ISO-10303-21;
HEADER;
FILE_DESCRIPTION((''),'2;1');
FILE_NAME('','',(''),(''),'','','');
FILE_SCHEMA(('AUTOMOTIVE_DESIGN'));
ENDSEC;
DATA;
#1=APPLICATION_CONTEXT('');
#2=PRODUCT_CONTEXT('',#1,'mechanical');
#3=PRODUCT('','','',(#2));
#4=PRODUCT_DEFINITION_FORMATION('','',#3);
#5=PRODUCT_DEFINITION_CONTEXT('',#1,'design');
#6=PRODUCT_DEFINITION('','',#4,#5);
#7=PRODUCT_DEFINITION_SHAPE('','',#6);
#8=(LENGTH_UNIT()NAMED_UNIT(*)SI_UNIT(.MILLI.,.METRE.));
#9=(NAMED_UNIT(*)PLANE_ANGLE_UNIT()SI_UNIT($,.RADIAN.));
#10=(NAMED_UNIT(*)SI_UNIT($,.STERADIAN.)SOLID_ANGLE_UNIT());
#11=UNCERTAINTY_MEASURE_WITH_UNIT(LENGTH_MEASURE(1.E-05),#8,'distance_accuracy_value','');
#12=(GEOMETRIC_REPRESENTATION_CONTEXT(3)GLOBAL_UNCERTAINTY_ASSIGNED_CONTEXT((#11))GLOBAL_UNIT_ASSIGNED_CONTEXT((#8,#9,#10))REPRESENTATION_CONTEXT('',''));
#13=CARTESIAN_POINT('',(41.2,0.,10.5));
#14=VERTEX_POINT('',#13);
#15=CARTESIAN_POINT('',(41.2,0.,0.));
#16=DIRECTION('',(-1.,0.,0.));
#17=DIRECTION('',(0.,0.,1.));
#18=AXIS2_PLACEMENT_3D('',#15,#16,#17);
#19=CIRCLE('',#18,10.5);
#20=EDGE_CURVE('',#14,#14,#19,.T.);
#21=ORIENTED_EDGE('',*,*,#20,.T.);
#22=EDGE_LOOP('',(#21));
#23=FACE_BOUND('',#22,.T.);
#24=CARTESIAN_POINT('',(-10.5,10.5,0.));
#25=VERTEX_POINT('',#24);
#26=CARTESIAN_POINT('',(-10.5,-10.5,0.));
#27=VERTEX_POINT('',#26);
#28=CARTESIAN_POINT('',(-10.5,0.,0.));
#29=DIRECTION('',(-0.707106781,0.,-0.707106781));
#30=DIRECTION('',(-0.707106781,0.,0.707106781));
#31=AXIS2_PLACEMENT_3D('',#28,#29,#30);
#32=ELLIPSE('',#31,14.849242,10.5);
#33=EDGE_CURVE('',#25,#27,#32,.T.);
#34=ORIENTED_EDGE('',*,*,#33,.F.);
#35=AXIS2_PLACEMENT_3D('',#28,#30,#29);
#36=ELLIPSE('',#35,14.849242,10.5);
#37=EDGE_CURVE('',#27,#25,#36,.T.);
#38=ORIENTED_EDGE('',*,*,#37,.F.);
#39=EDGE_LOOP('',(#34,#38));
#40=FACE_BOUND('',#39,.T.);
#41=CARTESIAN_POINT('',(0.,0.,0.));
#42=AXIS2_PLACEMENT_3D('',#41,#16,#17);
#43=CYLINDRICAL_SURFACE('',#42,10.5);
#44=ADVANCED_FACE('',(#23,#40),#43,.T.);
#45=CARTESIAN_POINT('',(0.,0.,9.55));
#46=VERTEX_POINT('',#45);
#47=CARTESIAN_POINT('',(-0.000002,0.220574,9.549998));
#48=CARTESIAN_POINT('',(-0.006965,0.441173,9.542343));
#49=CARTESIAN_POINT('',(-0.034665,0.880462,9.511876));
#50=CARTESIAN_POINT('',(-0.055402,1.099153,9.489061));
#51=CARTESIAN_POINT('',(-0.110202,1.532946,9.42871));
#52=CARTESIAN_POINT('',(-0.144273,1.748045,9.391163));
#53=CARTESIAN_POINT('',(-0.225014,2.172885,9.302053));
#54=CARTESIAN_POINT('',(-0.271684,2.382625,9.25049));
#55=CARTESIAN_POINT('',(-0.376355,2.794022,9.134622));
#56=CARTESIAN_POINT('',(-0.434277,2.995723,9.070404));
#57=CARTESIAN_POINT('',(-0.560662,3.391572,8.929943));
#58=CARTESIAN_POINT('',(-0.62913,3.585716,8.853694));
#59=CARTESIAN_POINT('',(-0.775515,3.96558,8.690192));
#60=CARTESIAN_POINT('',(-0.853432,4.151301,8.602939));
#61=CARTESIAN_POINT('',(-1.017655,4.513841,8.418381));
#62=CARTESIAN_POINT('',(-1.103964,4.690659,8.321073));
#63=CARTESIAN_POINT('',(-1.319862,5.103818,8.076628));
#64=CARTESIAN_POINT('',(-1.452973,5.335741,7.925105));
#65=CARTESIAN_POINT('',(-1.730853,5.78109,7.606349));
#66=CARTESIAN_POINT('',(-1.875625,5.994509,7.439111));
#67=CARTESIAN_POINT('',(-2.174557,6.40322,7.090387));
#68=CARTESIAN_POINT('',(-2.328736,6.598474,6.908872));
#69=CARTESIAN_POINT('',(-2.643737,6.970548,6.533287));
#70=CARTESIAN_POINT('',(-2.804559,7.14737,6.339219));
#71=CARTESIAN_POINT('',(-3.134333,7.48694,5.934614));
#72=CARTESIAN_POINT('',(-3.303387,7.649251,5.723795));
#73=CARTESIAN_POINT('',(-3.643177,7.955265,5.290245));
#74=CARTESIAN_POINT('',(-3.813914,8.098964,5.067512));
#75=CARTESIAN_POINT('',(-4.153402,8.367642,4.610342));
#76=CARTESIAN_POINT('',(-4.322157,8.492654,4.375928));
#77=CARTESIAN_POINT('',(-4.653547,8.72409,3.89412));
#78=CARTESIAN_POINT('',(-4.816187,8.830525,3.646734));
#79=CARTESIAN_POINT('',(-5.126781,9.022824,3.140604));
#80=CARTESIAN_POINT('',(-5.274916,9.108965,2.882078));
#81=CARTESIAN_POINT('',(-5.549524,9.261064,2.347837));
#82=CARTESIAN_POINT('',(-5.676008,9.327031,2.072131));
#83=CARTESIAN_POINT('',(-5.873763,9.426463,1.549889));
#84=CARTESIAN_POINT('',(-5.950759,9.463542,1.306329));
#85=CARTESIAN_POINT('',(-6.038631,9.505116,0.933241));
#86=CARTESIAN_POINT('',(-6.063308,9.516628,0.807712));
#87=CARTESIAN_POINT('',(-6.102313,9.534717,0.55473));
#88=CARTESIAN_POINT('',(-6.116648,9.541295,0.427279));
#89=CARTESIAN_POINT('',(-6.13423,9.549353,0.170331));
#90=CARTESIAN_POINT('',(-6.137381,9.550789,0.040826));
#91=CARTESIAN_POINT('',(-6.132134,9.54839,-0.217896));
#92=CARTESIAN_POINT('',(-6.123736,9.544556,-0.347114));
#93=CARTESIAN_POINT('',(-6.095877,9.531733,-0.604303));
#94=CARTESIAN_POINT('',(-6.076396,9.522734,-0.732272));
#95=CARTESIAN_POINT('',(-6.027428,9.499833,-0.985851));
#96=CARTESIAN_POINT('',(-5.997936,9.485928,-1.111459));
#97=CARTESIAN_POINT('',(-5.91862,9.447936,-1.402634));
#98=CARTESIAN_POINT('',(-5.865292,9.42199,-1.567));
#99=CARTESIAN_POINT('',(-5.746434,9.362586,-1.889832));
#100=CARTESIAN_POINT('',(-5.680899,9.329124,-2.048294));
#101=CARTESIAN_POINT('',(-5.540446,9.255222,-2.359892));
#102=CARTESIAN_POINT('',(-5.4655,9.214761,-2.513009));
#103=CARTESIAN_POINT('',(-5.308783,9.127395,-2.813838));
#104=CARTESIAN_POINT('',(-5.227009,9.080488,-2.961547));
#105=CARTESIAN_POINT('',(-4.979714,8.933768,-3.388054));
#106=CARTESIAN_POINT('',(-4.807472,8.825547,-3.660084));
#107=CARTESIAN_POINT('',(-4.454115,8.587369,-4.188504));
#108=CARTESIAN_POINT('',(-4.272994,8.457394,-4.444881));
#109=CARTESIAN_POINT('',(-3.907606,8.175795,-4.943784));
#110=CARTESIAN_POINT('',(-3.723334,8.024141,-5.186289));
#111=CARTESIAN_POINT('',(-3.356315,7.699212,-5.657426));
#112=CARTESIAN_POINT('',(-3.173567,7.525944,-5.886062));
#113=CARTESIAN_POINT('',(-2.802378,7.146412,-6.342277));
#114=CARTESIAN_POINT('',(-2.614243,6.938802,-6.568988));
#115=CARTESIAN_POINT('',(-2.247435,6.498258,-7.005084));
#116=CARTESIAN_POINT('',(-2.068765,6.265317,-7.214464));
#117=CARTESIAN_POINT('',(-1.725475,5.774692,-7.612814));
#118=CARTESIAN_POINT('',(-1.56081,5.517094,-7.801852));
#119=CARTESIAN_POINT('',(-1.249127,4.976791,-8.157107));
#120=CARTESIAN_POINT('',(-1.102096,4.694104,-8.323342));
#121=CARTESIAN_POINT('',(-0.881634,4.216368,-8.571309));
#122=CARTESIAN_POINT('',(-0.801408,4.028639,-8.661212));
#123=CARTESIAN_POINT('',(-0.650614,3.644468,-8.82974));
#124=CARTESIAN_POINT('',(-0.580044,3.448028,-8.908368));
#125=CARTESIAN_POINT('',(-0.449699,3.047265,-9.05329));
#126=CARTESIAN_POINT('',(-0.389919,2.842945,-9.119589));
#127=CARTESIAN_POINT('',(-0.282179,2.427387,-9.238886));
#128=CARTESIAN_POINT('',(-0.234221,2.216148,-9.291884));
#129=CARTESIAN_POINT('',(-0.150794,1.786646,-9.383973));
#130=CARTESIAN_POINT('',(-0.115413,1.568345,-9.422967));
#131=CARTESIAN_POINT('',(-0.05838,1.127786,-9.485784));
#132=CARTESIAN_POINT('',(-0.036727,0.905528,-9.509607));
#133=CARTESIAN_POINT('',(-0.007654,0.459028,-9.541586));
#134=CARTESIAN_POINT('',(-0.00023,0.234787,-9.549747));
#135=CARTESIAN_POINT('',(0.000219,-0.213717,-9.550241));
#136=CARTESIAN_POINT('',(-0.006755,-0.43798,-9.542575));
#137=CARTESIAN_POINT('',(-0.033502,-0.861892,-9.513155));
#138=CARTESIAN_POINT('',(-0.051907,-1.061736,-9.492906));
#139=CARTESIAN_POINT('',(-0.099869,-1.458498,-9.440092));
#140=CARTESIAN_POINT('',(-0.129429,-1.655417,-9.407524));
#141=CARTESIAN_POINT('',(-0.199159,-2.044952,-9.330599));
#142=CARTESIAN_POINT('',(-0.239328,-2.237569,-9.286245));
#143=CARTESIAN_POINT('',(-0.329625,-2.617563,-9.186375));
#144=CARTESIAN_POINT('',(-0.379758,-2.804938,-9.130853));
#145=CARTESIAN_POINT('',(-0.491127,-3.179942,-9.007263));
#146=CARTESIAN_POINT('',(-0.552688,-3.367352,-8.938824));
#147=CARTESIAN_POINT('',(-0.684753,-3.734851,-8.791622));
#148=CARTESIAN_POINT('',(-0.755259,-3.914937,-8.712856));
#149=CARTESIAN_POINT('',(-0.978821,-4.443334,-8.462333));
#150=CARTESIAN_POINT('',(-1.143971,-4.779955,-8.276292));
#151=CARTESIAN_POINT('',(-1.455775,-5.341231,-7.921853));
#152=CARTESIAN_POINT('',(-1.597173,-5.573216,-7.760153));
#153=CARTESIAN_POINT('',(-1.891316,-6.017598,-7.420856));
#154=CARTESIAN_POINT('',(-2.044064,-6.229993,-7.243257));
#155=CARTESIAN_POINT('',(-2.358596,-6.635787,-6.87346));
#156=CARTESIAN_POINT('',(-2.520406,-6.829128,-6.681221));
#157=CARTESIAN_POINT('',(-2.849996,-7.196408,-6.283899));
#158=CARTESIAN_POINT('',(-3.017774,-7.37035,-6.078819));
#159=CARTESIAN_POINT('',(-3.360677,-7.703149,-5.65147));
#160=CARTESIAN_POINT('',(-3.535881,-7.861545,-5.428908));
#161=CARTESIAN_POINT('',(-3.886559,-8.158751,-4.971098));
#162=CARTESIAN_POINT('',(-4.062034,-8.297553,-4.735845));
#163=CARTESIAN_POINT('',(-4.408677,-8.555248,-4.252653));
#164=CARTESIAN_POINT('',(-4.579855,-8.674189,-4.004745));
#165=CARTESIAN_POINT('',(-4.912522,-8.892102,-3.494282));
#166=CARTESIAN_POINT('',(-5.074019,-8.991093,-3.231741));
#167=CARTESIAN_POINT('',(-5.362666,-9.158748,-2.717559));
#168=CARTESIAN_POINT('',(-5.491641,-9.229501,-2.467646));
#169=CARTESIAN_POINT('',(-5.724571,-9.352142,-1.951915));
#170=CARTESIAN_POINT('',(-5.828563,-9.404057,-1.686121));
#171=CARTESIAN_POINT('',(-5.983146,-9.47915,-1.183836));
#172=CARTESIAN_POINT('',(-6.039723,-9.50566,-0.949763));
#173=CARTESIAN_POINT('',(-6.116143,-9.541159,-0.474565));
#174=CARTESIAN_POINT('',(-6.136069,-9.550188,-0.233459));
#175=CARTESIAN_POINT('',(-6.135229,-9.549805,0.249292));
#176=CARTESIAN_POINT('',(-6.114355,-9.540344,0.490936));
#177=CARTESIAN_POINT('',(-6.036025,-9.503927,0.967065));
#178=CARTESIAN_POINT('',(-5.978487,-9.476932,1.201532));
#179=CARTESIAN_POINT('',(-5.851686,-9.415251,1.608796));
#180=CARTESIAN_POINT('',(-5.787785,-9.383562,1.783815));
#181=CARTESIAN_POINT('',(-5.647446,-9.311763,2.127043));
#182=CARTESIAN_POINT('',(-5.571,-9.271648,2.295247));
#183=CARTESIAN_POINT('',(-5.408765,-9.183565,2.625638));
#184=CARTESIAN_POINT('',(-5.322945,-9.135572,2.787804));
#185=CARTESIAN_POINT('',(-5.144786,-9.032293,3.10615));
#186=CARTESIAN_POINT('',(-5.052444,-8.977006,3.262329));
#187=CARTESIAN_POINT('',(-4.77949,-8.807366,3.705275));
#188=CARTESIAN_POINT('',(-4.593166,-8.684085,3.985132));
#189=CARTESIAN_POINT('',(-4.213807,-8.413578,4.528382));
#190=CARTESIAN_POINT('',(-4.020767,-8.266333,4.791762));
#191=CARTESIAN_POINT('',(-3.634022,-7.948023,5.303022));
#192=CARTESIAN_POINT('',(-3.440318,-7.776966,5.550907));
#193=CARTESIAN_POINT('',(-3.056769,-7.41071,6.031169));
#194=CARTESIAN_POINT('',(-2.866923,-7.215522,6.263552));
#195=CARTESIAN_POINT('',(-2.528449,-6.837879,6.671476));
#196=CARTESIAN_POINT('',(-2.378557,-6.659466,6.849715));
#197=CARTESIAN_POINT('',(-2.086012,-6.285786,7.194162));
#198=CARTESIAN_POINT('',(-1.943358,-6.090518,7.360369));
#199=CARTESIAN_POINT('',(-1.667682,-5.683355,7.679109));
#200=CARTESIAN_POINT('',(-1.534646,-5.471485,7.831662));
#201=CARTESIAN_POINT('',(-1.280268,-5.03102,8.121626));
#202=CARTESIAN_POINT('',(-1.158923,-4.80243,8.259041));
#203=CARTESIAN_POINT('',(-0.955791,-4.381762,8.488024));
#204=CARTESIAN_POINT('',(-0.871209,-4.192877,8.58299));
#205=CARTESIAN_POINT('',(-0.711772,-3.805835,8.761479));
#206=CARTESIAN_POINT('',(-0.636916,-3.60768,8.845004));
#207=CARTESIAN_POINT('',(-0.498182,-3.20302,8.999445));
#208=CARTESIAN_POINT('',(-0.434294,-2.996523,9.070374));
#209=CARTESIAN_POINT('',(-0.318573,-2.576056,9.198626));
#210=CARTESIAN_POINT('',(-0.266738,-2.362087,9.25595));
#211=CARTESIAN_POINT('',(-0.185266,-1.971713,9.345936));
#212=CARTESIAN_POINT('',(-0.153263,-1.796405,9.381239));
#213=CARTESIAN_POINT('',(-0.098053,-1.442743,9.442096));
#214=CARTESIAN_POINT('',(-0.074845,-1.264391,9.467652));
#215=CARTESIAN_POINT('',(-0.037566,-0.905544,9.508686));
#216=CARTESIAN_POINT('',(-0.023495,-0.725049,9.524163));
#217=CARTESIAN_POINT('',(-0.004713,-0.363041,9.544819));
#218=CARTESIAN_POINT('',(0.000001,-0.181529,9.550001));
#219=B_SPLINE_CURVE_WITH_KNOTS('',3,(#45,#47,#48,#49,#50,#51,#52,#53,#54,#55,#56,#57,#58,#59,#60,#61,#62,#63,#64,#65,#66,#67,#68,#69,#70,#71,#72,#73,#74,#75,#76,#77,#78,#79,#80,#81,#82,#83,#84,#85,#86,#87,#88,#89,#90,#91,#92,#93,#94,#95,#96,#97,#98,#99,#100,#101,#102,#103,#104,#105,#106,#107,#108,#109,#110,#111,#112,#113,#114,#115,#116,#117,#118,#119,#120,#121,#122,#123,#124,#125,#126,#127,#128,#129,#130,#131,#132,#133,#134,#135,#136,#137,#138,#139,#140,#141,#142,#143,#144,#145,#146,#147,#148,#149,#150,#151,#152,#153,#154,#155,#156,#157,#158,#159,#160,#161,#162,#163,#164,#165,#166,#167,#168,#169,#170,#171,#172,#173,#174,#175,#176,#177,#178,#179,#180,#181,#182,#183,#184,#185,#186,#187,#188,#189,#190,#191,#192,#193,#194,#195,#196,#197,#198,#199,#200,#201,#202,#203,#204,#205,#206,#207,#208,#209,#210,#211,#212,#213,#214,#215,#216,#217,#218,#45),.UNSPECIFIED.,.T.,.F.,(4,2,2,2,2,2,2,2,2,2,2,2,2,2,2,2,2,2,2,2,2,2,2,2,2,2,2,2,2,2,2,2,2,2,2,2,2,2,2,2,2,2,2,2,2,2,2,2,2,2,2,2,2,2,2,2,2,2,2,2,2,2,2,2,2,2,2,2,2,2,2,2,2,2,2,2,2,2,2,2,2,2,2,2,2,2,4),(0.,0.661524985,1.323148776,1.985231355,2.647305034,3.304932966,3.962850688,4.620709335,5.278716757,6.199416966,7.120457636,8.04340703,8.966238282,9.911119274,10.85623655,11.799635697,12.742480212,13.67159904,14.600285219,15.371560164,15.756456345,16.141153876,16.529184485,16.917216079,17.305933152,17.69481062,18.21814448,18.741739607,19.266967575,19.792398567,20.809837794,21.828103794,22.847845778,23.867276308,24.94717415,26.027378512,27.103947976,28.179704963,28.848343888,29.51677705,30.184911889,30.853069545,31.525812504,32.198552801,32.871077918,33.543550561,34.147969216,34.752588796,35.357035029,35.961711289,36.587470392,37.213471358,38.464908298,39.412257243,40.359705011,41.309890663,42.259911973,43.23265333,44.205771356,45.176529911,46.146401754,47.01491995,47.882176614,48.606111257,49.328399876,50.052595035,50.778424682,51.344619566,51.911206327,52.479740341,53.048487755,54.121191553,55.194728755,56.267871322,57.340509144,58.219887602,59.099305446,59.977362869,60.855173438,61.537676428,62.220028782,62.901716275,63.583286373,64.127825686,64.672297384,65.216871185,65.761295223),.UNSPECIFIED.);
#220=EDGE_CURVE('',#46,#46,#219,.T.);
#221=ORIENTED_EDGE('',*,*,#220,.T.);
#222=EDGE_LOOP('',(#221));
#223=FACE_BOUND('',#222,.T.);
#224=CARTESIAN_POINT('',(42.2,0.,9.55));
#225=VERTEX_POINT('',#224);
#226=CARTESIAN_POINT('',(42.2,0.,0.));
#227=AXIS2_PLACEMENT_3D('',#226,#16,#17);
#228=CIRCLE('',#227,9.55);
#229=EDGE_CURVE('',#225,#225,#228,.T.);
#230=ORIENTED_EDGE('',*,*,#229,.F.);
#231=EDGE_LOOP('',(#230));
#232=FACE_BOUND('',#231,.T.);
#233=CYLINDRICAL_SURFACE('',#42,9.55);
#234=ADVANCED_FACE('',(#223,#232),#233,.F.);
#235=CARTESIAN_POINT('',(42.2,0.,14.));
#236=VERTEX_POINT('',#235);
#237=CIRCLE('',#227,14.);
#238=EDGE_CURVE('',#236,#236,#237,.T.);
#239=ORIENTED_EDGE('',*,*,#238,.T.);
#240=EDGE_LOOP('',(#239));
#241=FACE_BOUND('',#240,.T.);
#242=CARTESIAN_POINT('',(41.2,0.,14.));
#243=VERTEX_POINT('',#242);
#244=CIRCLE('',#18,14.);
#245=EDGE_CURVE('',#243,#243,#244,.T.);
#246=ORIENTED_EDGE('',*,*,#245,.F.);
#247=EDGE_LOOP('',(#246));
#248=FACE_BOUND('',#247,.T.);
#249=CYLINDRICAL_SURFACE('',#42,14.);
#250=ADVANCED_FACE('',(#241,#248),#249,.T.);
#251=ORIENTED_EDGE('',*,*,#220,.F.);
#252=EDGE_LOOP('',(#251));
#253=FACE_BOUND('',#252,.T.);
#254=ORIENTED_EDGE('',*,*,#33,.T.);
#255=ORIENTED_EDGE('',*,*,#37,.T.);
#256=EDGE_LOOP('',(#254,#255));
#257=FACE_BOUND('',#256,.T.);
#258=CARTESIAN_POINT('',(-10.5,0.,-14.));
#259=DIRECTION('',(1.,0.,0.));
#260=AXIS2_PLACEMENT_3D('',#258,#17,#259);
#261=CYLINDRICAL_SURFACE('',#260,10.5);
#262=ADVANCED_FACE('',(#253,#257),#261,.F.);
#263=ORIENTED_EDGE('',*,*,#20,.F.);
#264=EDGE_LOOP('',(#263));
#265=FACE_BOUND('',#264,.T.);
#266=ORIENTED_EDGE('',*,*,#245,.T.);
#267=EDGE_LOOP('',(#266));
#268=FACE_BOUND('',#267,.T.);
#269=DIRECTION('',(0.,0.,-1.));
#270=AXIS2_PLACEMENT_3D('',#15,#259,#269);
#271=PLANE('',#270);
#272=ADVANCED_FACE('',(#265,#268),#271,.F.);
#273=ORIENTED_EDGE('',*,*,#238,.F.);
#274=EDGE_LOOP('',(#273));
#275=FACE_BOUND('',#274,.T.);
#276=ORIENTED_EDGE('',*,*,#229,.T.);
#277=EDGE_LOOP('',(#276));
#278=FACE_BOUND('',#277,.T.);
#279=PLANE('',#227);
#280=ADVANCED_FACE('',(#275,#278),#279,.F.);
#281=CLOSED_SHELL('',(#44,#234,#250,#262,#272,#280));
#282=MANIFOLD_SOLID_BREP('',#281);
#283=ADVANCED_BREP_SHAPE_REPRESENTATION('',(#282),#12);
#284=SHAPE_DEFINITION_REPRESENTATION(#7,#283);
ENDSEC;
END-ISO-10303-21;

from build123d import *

# Parameters (mm, degrees)
CUT_EXTRUDE1_DEPTH      = 47.613731882
CUT_EXTRUDE1_DEPTH_BACK = 47.613731882


with BuildPart() as part:
    # Sketch1 → Revolve1 (revolve)
    with BuildSketch(Plane.XY):
        with BuildLine():
            Line((41.2, 10.5), (-10.5, 10.5))
            ThreePointArc((-10.5, 10.5), (-8.266728857, 10.259751459), (-6.135655834, 9.55))
            Line((-6.135655834, 9.55), (42.2, 9.55))
            Line((42.2, 9.55), (42.2, 14))
            Line((42.2, 14), (41.2, 14))
            Line((41.2, 14), (41.2, 10.5))
        make_face()
    revolve(axis=Axis((0, 0, 0), (1, 0, 0)))

    # Sketch1<3> → Cut-Extrude1 (cut, two sides: drawn at the far end of the back side and taken through both)
    with BuildSketch(Plane.XY.offset(-CUT_EXTRUDE1_DEPTH_BACK)):
        with BuildLine():
            ThreePointArc((-10.5, -10.5), (0, 0), (-10.5, 10.5))
            Line((-10.5, 10.5), (-10.5, -10.5))
        make_face()
    extrude(amount=CUT_EXTRUDE1_DEPTH + CUT_EXTRUDE1_DEPTH_BACK, mode=Mode.SUBTRACT)


solid = part.part
